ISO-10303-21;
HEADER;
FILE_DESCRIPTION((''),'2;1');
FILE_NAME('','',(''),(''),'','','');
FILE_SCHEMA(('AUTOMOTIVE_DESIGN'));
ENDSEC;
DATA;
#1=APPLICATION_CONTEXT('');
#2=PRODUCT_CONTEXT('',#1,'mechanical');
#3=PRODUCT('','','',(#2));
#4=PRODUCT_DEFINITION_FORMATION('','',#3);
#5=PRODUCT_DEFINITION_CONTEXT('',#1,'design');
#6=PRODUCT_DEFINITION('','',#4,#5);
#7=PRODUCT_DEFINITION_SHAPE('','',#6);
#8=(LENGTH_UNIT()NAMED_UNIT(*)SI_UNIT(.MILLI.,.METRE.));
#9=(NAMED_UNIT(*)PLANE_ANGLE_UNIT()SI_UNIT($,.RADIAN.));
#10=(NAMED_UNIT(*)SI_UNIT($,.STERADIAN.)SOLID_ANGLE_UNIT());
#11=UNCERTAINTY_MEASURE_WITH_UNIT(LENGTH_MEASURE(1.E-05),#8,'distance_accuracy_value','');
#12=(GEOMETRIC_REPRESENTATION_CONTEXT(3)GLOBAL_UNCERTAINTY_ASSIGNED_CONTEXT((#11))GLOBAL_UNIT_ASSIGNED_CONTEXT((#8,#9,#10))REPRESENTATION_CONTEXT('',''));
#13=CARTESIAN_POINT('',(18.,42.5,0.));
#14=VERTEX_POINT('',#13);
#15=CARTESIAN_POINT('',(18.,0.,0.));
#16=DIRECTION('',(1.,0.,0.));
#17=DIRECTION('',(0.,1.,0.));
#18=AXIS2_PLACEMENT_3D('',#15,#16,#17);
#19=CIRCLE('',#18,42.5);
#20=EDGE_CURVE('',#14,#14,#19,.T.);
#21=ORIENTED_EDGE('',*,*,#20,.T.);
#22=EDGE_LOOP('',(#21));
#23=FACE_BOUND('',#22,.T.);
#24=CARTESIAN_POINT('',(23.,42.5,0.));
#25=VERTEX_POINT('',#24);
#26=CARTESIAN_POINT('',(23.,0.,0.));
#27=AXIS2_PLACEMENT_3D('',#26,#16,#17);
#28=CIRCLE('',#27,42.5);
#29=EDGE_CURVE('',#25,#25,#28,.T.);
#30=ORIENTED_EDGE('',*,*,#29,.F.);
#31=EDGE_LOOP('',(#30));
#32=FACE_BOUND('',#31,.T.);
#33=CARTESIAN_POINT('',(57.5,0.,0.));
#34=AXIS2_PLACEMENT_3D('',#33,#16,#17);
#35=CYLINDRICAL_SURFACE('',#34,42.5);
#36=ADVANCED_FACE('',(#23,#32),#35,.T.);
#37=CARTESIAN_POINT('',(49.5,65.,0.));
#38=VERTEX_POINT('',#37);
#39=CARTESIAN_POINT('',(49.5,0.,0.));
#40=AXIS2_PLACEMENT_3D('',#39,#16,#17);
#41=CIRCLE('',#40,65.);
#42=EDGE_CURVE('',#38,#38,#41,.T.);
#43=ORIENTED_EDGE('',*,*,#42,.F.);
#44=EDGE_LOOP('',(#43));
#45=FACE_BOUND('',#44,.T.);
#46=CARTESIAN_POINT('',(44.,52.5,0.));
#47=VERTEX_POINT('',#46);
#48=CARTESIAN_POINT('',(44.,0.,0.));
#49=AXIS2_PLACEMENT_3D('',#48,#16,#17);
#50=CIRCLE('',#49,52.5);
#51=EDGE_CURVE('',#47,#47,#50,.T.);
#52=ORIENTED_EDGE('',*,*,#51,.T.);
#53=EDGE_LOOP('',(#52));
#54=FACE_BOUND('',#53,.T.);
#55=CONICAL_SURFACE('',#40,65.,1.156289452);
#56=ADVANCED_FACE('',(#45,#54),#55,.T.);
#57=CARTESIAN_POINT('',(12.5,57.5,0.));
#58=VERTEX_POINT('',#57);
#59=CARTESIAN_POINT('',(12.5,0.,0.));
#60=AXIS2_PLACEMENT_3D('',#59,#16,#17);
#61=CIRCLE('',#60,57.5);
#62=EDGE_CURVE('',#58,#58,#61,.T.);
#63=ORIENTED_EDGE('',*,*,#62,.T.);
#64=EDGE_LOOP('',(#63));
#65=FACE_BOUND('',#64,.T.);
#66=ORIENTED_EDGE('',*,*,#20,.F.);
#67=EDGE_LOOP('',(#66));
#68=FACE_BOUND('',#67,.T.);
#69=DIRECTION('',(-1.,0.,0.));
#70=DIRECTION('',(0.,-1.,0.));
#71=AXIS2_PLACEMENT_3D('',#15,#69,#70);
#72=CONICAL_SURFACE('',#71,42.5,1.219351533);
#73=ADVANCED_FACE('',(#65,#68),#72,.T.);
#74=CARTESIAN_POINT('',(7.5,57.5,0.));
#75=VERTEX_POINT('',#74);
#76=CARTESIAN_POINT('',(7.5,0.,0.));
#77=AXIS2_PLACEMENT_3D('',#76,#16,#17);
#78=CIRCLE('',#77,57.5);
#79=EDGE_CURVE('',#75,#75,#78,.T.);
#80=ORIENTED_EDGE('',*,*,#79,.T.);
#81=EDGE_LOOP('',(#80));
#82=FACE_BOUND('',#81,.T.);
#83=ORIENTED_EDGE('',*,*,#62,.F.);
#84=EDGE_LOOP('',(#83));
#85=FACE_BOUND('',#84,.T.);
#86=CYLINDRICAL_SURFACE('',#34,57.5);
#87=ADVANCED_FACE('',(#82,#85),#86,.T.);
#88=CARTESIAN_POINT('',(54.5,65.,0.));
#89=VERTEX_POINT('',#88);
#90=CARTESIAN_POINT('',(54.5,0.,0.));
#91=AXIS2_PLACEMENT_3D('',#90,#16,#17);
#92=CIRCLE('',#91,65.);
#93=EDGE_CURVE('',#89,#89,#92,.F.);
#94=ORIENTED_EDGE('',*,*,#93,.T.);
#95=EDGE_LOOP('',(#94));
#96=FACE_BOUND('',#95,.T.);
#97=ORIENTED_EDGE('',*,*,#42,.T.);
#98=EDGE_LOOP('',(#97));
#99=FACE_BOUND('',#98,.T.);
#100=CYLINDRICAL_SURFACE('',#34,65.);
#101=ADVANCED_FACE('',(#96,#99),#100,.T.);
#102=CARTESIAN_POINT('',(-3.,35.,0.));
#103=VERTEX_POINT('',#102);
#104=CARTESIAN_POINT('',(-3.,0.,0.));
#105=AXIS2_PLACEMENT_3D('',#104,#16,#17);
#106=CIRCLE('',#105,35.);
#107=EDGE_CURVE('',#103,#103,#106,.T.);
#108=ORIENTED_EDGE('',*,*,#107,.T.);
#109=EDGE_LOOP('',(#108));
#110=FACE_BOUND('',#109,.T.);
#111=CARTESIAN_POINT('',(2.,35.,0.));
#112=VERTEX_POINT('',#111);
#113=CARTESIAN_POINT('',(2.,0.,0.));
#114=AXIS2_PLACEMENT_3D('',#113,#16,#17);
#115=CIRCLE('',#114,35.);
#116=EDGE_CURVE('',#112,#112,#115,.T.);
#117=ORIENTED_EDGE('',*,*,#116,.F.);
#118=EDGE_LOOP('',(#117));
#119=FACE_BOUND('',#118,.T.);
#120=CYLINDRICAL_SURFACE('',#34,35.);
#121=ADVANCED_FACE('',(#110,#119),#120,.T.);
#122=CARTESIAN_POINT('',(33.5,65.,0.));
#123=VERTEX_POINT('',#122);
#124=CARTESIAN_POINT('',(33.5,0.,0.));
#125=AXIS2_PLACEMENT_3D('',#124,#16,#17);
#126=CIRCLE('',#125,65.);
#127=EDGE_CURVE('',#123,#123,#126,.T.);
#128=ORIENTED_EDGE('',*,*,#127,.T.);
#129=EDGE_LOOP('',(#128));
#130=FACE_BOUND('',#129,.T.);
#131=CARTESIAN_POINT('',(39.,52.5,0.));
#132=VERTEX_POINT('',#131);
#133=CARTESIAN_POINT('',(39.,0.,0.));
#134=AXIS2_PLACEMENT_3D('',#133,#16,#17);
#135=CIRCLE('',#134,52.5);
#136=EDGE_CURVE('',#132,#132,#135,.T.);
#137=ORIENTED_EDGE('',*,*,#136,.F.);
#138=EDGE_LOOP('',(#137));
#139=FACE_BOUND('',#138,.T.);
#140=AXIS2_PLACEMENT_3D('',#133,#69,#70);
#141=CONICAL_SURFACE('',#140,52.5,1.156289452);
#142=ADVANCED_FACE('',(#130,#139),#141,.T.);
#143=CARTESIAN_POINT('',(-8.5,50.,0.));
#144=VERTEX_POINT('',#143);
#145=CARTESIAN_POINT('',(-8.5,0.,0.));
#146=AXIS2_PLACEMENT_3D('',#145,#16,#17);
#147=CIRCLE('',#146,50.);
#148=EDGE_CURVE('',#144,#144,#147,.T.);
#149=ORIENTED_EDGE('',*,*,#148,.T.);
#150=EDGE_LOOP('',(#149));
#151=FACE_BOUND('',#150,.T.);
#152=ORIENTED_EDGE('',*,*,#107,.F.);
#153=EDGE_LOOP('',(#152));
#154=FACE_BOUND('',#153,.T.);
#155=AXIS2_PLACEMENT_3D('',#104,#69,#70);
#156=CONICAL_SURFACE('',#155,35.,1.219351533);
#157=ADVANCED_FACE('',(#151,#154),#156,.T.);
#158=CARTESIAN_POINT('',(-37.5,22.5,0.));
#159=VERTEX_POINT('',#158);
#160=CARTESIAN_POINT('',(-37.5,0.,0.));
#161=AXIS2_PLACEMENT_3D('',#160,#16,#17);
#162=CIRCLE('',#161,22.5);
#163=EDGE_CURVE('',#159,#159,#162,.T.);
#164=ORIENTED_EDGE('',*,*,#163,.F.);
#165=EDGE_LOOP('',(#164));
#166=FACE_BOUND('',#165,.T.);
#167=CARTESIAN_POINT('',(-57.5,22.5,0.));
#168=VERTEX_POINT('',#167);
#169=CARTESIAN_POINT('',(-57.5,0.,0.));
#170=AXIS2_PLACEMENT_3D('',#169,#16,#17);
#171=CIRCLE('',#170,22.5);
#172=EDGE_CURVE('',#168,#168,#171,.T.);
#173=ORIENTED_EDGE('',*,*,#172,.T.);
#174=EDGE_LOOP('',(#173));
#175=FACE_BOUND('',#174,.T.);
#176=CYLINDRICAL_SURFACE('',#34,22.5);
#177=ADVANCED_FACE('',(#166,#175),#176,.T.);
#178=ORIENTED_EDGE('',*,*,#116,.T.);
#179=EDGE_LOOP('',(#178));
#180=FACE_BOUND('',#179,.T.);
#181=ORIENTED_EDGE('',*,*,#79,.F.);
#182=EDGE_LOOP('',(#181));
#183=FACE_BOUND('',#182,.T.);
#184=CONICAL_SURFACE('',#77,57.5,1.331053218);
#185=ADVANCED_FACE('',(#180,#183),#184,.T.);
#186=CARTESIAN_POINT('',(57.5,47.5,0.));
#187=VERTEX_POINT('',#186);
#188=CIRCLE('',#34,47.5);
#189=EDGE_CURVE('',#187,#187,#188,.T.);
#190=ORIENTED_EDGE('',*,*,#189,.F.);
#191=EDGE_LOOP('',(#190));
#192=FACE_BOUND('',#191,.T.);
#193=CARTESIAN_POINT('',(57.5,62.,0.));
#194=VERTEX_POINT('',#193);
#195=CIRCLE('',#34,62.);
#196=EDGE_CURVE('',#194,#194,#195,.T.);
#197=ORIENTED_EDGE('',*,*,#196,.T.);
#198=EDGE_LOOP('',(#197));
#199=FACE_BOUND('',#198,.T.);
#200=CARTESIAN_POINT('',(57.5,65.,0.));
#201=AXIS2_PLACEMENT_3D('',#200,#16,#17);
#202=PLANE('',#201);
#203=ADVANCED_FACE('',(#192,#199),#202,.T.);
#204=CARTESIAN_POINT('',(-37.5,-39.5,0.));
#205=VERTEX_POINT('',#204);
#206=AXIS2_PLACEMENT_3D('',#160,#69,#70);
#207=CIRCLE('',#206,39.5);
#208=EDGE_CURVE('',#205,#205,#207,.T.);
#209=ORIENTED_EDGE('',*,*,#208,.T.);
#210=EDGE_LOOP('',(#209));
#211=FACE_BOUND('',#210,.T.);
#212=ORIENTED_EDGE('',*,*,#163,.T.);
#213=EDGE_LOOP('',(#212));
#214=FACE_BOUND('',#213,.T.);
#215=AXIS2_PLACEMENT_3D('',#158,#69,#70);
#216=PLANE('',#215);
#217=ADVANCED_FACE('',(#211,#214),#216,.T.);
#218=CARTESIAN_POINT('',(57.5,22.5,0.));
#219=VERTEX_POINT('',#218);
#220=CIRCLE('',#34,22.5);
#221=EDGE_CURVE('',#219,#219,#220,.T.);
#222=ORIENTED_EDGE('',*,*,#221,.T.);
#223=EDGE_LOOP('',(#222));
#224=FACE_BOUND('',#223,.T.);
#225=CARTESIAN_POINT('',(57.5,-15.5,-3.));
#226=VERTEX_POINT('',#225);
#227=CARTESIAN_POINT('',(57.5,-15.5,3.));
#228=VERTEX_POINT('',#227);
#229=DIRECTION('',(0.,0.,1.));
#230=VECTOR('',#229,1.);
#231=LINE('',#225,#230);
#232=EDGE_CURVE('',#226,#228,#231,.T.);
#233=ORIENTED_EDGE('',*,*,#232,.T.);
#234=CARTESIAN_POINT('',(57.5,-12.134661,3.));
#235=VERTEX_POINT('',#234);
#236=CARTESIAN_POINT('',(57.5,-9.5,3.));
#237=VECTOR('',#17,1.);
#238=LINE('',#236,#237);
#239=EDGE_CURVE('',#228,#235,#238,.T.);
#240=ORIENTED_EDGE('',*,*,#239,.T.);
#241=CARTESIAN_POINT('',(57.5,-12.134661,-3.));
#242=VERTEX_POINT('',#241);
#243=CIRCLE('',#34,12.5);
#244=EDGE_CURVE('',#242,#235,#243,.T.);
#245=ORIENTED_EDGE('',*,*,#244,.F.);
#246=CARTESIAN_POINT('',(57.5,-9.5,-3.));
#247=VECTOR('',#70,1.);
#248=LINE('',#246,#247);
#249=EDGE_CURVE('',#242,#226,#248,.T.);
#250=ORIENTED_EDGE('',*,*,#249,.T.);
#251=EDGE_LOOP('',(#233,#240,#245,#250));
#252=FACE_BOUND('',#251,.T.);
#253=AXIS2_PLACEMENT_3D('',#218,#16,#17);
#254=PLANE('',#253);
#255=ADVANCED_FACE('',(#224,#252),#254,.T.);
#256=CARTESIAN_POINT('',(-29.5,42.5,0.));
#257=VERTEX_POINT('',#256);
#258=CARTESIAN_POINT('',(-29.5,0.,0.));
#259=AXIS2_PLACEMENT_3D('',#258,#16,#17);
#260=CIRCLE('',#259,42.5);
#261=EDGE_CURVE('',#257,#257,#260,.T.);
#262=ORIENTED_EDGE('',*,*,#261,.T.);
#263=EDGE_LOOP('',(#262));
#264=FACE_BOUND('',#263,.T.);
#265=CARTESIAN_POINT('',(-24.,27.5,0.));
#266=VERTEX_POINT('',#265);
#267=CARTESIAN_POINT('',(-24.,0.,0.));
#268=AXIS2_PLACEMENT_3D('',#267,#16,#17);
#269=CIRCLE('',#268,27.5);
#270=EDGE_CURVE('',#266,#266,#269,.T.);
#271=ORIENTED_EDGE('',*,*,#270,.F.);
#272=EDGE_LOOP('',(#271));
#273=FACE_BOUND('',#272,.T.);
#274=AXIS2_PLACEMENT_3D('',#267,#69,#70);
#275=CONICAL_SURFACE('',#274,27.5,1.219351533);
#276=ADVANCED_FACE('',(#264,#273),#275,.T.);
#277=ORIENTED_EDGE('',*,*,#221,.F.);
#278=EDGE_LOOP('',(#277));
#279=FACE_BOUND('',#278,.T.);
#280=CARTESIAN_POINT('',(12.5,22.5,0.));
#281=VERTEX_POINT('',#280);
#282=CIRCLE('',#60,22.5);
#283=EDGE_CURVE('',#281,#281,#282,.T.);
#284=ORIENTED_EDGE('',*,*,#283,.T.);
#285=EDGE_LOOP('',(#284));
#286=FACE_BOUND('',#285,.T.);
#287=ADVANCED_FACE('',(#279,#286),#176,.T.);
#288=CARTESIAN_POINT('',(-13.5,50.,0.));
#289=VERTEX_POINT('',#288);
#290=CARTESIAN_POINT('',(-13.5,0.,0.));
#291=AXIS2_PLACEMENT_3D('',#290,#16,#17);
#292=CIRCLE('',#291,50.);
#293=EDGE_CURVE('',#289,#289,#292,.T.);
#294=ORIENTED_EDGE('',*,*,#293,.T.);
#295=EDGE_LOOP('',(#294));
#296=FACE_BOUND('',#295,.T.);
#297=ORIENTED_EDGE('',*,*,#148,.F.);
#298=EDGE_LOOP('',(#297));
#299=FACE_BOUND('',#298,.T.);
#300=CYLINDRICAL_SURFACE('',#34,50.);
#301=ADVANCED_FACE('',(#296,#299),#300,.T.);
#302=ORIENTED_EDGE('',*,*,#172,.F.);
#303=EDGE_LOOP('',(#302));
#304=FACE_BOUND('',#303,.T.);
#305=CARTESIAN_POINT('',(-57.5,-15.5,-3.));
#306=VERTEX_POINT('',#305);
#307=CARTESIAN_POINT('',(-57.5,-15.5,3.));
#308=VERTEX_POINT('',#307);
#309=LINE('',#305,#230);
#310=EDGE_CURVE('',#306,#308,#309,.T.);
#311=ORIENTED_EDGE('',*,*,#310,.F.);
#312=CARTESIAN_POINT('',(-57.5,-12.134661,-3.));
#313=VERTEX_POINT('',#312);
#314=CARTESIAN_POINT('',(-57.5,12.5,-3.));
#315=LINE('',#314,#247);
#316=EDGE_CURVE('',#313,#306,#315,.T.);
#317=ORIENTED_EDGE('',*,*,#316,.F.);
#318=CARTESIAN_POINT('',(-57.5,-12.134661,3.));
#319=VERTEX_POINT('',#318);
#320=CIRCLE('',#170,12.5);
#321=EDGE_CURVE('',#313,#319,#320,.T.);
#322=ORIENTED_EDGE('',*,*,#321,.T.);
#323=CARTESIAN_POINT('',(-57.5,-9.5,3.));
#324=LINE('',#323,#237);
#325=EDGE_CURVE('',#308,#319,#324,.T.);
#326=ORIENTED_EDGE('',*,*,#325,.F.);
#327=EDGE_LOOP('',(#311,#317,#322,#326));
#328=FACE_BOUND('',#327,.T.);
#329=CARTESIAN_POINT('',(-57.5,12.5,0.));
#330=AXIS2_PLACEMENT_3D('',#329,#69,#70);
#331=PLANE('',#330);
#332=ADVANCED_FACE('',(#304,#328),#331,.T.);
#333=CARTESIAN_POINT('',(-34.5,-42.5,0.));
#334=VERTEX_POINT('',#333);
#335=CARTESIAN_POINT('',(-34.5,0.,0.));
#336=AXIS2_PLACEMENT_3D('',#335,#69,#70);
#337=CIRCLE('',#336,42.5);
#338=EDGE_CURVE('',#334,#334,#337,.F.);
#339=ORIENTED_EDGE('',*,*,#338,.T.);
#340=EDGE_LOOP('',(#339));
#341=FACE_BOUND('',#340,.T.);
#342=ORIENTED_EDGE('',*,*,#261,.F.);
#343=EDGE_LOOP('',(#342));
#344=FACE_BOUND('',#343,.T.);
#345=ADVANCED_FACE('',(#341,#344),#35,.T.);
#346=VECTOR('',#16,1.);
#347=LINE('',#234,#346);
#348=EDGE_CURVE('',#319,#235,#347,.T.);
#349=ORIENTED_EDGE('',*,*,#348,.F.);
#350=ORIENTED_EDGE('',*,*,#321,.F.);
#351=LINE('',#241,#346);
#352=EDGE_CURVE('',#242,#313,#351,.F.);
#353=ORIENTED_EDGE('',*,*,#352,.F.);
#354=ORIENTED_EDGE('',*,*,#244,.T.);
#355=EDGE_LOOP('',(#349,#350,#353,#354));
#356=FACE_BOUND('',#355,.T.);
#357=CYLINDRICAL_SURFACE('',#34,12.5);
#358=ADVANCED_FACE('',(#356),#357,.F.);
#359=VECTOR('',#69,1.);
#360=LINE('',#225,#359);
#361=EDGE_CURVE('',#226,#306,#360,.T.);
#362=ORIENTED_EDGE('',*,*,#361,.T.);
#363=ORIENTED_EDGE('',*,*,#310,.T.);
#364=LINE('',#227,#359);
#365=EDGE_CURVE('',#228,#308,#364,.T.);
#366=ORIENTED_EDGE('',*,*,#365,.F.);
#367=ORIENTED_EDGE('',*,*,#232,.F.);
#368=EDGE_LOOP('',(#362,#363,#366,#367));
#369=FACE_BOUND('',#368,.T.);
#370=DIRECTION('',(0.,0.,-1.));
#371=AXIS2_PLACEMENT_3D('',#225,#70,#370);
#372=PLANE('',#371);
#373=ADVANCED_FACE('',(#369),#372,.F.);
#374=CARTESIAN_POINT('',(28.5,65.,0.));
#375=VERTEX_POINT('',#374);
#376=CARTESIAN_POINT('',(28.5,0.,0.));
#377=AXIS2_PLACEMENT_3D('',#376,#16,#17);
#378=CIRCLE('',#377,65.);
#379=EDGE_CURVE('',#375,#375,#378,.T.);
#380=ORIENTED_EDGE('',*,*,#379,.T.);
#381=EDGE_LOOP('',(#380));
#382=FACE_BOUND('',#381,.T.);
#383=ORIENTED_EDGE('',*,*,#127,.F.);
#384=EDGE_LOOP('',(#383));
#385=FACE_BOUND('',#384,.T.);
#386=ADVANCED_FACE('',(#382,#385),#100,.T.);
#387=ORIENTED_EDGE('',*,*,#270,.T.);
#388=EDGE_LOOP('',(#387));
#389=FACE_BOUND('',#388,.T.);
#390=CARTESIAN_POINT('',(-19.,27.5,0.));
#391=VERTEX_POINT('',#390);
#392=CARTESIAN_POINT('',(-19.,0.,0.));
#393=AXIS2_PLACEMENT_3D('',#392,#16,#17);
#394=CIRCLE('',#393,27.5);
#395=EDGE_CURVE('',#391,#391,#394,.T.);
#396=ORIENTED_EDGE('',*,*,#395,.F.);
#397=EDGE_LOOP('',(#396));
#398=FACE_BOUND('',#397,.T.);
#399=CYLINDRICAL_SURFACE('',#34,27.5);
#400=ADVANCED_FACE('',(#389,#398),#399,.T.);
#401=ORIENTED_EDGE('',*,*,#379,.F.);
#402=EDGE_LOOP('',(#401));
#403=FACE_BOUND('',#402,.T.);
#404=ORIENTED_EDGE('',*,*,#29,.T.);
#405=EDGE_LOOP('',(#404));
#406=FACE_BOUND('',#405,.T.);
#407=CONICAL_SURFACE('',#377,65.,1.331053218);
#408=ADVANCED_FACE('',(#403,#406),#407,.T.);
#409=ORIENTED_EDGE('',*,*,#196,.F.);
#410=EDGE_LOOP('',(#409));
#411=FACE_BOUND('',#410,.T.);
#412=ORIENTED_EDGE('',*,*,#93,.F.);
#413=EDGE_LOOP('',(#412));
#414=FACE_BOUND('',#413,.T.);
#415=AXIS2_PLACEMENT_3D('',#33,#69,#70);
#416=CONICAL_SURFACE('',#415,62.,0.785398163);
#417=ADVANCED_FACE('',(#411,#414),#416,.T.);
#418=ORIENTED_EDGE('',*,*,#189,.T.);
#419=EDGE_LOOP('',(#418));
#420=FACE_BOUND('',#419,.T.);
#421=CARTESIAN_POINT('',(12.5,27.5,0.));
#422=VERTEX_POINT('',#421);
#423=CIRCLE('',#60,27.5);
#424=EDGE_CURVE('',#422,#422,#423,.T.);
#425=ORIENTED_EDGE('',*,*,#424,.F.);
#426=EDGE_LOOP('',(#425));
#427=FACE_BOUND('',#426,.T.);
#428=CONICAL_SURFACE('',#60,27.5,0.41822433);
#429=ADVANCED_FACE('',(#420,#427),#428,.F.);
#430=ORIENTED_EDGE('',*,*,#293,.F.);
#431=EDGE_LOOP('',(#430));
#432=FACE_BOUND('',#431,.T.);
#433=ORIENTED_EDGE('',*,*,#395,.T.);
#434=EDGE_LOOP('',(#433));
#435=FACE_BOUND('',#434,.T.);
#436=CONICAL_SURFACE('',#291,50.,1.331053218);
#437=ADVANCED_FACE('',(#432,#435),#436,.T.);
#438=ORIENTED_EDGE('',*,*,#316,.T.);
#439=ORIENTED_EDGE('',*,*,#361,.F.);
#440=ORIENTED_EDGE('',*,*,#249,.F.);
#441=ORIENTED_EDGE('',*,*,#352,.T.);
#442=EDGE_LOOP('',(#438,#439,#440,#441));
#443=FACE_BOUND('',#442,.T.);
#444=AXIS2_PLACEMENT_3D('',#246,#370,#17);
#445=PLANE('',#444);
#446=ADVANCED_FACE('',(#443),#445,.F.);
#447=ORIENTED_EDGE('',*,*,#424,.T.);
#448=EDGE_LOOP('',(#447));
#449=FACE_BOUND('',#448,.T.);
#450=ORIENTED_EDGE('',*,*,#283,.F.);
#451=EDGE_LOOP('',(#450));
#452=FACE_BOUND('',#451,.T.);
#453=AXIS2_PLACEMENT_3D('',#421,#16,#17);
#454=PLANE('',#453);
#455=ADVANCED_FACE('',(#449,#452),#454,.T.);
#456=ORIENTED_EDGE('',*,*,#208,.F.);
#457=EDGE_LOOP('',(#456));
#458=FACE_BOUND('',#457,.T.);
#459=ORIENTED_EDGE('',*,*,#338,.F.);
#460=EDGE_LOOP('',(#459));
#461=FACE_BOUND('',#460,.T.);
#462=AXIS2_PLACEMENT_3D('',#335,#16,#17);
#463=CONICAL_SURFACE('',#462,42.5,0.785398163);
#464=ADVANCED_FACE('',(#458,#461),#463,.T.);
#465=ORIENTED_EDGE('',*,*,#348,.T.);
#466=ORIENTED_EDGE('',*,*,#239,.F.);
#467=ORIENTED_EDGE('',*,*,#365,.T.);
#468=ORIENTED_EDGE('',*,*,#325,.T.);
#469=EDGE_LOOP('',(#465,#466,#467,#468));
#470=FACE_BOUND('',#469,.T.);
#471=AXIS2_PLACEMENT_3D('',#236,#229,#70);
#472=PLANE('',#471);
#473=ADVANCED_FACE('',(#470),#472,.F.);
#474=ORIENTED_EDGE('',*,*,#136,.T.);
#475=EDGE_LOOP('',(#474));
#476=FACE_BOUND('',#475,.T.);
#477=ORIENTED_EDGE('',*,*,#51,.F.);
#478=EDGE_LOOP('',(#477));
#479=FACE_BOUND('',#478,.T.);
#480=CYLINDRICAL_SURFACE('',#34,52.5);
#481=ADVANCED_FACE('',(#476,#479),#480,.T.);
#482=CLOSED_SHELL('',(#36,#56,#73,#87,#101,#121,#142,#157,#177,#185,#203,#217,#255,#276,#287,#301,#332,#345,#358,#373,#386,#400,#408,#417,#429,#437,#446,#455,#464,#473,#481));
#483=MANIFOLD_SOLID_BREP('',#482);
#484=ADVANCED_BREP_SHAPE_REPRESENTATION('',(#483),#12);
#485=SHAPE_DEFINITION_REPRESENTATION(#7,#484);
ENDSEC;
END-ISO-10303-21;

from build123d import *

# Parameters (mm, degrees)
CHAMFER1_SIZE      = 3
SKETCH2_W          = 6
SKETCH2_H          = 6
CUT_EXTRUDE1_DEPTH = 116


with BuildPart() as part:
    # Sketch1 → Revolve1 (revolve)
    with BuildSketch(Plane.XY):
        Polygon((57.5, 12.5), (-57.5, 12.5), (-57.5, 22.5), (-37.5, 22.5), (-37.5, 42.5), (-29.5, 42.5), (-24, 27.5), (-19, 27.5), (-13.5, 50), (-8.5, 50), (-3, 35), (2, 35), (7.5, 57.5), (12.5, 57.5), (18, 42.5), (23, 42.5), (28.5, 65), (33.5, 65), (39, 52.5), (44, 52.5), (49.5, 65), (57.5, 65), (57.5, 47.5), (12.5, 27.5), (12.5, 22.5), (57.5, 22.5), align=None)
    revolve(axis=Axis((57.5, 0, 0), (-1, 0, 0)))

    # Chamfer1
    chamfer1_edges = [part.edges().sort_by_distance(p)[0] for p in [
        (57.5, -65, 0),
        (-37.5, -42.5, 0),
    ]]
    chamfer(chamfer1_edges, length=CHAMFER1_SIZE)

    # Sketch2 → Cut-Extrude1 (cut, through all)
    with BuildSketch(Plane.ZY.offset(57.5)):
        with Locations((0, -12.5)):
            Rectangle(SKETCH2_W, SKETCH2_H)
    extrude(amount=-CUT_EXTRUDE1_DEPTH, mode=Mode.SUBTRACT)


solid = part.part
